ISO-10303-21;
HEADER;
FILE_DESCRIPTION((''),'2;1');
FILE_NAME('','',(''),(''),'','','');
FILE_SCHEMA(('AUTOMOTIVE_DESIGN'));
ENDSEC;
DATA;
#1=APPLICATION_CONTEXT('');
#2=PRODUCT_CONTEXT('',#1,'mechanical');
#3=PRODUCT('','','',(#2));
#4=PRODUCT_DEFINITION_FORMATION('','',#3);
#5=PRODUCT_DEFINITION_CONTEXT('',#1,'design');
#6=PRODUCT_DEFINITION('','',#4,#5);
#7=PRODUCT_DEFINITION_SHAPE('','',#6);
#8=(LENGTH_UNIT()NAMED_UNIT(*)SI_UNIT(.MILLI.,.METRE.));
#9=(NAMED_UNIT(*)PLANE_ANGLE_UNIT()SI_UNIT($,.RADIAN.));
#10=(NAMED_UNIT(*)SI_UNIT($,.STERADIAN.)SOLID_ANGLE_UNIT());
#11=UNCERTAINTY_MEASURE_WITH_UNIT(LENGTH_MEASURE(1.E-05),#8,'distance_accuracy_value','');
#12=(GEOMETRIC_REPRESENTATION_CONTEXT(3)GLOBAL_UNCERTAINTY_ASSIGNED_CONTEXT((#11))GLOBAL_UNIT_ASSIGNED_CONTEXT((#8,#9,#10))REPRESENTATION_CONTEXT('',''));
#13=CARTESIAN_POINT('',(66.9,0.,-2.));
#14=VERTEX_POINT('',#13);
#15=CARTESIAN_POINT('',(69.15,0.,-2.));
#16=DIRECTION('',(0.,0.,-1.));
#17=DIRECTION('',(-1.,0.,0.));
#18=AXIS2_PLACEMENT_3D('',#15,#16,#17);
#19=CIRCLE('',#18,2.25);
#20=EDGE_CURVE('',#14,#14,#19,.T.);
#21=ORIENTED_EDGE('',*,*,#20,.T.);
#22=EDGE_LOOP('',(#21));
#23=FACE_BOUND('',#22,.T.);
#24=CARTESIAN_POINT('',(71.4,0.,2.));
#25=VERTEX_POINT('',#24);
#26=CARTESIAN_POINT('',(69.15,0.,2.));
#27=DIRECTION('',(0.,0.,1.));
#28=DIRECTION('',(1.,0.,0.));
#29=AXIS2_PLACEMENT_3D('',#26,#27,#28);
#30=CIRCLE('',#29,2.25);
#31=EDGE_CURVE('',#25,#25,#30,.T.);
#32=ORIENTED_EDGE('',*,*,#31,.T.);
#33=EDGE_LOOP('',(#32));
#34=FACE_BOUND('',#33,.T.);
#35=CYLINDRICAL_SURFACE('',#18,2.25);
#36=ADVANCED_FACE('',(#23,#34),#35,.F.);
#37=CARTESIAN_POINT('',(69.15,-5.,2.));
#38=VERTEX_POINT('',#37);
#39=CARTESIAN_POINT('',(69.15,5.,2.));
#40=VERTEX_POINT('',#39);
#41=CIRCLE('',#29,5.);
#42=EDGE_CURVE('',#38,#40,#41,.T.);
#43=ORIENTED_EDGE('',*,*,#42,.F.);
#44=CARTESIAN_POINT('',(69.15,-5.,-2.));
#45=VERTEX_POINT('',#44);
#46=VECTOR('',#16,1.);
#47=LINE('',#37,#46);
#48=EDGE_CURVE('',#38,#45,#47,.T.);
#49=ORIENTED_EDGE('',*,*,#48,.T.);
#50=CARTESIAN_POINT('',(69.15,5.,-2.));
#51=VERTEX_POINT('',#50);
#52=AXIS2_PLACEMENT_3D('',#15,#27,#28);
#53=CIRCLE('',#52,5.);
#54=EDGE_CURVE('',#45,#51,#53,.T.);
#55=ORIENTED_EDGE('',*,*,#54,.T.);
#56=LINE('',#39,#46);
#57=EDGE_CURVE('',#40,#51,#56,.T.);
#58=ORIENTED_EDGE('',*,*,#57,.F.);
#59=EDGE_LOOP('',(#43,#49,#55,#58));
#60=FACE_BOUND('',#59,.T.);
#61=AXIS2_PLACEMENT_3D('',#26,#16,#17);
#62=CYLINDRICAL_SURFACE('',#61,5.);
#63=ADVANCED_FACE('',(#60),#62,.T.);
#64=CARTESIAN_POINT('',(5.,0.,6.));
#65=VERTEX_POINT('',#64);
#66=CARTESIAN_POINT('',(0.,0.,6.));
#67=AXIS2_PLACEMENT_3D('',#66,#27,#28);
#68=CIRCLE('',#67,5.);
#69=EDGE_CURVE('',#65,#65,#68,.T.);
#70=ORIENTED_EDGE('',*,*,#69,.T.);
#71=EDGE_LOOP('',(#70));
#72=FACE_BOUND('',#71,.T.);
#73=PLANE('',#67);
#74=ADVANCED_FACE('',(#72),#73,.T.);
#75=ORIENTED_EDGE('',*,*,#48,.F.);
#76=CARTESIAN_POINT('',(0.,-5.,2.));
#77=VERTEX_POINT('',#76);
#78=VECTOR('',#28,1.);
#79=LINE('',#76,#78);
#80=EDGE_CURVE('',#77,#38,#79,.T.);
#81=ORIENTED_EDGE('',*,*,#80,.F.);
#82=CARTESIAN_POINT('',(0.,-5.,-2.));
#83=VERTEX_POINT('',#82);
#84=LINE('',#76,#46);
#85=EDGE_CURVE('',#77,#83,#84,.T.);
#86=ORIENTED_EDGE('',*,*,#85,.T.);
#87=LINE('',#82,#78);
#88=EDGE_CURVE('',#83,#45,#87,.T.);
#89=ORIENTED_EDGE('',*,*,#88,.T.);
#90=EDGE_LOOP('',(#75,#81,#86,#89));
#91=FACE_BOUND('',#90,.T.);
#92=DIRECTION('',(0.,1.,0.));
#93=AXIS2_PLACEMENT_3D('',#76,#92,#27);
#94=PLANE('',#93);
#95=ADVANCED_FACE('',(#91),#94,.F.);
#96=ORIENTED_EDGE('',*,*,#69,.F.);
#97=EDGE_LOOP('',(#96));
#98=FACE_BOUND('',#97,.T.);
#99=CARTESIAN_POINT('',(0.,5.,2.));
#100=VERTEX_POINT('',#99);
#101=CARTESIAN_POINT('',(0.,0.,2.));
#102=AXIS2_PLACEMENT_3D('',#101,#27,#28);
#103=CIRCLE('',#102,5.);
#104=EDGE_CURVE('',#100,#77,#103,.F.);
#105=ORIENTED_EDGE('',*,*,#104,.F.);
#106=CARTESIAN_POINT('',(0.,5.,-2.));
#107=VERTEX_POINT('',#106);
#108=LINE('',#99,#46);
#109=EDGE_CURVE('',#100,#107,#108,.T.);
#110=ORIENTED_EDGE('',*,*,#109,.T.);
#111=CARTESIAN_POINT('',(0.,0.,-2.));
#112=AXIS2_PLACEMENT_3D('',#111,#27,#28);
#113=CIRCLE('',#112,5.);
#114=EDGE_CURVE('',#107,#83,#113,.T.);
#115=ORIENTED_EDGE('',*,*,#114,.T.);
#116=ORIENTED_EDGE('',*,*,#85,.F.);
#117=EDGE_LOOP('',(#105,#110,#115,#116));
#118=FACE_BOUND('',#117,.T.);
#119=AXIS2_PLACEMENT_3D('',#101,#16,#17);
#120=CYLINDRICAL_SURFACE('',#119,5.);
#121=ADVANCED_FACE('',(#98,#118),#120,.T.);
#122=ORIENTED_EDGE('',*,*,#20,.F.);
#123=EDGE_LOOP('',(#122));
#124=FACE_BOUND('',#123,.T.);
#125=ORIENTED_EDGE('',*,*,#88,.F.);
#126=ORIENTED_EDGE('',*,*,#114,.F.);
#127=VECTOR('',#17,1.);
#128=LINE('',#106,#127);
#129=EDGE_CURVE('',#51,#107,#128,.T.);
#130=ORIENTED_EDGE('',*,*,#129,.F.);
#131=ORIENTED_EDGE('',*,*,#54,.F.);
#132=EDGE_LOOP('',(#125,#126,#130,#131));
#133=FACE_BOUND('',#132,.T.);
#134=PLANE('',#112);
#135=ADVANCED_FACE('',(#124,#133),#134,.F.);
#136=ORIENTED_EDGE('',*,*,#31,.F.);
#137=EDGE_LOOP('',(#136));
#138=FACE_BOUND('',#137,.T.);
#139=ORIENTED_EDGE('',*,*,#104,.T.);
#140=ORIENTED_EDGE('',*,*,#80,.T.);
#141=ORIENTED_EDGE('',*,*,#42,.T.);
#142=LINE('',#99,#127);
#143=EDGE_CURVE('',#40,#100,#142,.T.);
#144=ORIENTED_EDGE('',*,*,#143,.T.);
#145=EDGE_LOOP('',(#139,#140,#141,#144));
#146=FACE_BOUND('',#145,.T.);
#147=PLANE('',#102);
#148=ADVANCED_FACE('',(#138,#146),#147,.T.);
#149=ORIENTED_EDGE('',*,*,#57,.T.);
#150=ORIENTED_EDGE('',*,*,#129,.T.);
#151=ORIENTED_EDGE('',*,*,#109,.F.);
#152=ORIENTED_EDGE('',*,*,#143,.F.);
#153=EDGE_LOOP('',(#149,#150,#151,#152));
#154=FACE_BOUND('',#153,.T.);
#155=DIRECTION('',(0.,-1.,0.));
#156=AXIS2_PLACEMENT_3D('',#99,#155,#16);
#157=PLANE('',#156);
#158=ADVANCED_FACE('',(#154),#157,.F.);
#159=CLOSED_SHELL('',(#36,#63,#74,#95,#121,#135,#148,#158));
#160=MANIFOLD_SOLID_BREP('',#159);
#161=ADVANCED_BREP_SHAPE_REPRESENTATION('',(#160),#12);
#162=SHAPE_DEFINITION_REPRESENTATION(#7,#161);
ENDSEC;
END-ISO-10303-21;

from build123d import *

# Parameters (mm, degrees)
BOSS_EXTRUDE1_DEPTH  = 2
SKETCH2_R            = 5
BOSS_EXTRUDE2_DEPTH  = 4
M4_CLEARANCE_HOLE1_D = 4.5


with BuildPart() as part:
    # Sketch1 → Boss-Extrude1 (new, symmetric)
    with BuildSketch(Plane.XY):
        with BuildLine():
            Line((0, 5), (69.15, 5))
            ThreePointArc((69.15, 5), (74.15, 0), (69.15, -5))
            Line((69.15, -5), (0, -5))
            ThreePointArc((0, -5), (-5, 0), (0, 5))
        make_face()
    extrude(amount=BOSS_EXTRUDE1_DEPTH, both=True)

    # Sketch2 → Boss-Extrude2 (add, symmetric)
    with BuildSketch(Plane.XY.offset(2)):
        with Locations(Location((0, 0, 0), (0, 0, 270))):
            Circle(SKETCH2_R)
    extrude(amount=BOSS_EXTRUDE2_DEPTH, both=True)

    # M4 Clearance Hole1 (through all)
    with Locations(Plane(origin=(0, 0, -2), x_dir=(-1, 0, 0), z_dir=(0, 0, -1))):
        with Locations((-69.15, 0)):
            Hole(M4_CLEARANCE_HOLE1_D / 2)


solid = part.part
